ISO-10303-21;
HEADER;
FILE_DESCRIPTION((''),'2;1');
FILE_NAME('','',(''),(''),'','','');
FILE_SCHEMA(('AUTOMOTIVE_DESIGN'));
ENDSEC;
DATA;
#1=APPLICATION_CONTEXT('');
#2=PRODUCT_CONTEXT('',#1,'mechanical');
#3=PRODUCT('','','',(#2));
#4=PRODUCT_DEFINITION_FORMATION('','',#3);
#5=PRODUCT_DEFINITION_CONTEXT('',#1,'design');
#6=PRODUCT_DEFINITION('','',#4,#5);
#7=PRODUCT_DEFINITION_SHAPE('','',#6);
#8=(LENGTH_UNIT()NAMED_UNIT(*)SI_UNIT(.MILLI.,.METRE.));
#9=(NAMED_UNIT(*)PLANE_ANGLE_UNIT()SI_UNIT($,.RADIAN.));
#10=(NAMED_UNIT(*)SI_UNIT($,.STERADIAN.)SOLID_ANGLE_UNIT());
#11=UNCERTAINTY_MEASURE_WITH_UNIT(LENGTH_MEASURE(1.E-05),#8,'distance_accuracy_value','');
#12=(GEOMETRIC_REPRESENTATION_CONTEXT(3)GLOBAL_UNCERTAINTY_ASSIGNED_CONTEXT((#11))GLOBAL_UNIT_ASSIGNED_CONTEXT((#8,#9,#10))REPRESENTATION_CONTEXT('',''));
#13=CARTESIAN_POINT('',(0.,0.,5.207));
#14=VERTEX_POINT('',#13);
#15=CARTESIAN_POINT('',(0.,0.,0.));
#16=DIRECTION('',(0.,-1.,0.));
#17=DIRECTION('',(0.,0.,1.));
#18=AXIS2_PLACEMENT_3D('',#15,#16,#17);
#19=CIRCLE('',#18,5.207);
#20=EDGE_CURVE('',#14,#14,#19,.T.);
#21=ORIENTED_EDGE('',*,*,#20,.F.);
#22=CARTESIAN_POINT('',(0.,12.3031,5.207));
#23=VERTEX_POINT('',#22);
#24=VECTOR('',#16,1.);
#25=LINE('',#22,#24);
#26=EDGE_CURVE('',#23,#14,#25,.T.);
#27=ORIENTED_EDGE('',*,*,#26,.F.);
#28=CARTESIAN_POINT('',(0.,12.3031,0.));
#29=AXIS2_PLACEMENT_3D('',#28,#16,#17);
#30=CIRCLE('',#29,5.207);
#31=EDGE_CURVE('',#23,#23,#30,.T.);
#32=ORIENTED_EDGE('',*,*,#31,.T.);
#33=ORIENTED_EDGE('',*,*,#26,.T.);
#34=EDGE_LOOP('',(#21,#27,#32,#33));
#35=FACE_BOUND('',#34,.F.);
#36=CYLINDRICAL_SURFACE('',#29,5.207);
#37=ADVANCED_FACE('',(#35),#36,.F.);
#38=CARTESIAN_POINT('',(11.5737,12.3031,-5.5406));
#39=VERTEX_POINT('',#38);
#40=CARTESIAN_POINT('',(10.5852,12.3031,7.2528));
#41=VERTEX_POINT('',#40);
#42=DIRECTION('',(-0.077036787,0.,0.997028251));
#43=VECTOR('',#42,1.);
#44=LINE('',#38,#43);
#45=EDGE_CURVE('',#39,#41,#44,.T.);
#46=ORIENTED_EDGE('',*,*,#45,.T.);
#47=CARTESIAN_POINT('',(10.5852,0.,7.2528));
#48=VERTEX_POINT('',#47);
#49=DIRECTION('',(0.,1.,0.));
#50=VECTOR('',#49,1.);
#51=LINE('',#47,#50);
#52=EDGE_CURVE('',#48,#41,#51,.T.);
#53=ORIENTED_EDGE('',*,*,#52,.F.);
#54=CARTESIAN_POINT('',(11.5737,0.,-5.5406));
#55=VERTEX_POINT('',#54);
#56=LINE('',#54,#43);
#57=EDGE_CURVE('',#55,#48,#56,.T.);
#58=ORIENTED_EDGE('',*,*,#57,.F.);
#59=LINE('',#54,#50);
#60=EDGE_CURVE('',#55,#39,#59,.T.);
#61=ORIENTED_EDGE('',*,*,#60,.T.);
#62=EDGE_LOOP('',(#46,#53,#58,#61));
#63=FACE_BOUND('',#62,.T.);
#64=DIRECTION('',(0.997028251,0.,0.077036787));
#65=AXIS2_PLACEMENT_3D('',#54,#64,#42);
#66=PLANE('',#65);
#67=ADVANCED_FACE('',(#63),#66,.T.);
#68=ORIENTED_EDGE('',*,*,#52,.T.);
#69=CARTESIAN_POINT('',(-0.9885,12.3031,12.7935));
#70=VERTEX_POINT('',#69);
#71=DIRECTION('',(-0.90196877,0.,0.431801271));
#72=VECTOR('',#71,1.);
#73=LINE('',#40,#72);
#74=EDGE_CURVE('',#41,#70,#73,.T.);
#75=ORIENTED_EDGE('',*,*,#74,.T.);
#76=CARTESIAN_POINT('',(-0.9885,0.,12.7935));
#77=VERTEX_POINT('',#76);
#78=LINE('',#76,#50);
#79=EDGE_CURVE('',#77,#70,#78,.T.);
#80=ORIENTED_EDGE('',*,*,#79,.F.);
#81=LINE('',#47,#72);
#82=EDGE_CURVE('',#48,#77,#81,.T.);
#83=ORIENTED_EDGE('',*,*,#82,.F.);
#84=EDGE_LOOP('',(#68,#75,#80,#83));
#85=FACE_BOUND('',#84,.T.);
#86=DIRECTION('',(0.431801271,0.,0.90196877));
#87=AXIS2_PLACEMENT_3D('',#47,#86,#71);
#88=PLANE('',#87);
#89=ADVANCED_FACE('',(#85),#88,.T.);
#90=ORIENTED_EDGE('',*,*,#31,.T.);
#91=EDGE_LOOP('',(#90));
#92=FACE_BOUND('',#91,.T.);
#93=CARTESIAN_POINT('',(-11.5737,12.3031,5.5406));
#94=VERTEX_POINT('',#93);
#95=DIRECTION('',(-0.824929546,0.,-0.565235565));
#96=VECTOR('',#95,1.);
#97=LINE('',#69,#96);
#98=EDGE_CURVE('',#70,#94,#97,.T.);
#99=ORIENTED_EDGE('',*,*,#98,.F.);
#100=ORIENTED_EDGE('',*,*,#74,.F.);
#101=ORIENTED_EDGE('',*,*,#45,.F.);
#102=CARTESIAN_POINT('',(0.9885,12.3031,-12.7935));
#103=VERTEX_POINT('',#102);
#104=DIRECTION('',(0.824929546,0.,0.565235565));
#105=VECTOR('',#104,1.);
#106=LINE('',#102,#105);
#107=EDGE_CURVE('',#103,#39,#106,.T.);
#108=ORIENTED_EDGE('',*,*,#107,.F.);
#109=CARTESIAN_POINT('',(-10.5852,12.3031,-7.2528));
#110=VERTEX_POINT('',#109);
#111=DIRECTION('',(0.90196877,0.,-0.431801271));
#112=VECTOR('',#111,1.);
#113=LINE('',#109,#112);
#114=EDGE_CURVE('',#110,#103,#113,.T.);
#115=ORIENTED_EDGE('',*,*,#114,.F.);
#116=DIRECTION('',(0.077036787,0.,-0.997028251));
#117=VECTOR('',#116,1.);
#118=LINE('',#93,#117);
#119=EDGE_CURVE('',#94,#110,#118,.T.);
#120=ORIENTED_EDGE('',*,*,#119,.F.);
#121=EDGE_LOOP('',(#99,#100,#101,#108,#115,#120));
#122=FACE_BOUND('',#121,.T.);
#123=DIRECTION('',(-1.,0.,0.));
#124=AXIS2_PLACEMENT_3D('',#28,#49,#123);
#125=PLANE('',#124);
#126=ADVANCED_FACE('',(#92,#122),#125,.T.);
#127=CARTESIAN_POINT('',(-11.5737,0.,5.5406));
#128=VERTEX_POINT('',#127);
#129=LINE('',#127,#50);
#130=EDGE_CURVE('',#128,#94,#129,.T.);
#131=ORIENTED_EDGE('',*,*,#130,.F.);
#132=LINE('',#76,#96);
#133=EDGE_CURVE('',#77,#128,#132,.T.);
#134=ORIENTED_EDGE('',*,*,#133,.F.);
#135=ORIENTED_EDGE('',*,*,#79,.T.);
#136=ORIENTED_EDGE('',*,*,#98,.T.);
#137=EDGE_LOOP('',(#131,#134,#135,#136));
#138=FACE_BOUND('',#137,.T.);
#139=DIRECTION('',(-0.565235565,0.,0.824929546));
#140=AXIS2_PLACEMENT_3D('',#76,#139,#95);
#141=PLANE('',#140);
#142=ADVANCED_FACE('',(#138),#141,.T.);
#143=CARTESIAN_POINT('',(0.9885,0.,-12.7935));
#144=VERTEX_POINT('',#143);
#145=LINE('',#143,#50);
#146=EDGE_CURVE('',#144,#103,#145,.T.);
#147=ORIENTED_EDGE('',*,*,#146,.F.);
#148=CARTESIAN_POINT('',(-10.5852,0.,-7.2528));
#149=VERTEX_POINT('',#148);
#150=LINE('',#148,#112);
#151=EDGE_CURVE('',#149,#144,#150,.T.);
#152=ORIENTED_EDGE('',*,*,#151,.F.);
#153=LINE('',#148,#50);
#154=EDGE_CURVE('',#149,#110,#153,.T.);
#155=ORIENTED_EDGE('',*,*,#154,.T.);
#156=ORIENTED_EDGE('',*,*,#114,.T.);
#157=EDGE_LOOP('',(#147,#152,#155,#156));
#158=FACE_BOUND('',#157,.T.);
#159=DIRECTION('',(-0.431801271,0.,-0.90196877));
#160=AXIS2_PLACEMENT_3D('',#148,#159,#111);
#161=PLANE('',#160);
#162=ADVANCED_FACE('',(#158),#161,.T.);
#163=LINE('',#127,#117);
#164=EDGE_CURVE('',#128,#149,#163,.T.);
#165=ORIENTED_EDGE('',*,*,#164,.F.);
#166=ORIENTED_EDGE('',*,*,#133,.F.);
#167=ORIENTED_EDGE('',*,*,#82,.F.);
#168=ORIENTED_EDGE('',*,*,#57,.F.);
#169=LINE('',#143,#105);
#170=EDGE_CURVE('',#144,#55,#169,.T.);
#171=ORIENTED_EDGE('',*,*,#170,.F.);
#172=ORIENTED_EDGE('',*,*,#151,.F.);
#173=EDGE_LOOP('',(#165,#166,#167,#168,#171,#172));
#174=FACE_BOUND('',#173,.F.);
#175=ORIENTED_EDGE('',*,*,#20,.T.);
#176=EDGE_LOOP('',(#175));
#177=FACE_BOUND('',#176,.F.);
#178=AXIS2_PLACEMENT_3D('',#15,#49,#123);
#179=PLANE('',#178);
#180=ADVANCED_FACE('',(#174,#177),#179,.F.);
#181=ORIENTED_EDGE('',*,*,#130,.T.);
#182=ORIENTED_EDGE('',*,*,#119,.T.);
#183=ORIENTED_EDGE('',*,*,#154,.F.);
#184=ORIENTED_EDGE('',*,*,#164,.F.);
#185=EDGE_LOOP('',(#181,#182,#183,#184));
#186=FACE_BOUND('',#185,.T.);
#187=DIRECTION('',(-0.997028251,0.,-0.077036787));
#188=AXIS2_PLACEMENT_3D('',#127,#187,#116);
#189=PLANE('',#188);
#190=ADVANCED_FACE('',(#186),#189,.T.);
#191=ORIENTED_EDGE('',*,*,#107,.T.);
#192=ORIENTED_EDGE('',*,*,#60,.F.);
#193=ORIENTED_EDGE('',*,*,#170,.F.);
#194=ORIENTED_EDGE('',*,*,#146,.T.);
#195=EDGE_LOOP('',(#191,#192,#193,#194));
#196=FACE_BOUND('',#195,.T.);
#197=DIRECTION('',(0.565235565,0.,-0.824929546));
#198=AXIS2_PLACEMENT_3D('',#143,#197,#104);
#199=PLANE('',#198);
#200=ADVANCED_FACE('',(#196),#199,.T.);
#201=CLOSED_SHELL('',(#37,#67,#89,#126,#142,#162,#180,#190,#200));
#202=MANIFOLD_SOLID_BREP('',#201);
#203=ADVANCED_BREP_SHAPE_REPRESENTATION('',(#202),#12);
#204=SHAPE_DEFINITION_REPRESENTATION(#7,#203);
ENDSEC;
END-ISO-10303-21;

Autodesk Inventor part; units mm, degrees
ref_plane "YZ Plane" through (0, 0, 0) normal (1, 0, 0) x (0, 1, 0)
ref_plane "XZ Plane" through (0, 0, 0) normal (0, 1, 0) x (-1, 0, 0)
ref_plane "XY Plane" through (0, 0, 0) normal (0, 0, 1) x (1, 0, 0)
sketch "Sketch1" plane through (0, 0, 0) normal (0, 1, 0) x (-1, 0, 0)
  line L0 (10.5852, -7.2528) -> (-0.9885, -12.7935)
  line L1 (-0.9885, -12.7935) -> (-11.5737, -5.5406)
  line L2 (-11.5737, -5.5406) -> (-10.5852, 7.2528)
  line L3 (-10.5852, 7.2528) -> (0.9885, 12.7935)
  line L4 (0.9885, 12.7935) -> (11.5737, 5.5406)
  line L5 (11.5737, 5.5406) -> (10.5852, -7.2528)
  point P0 (0, 0)
  point P1 (0, 0)
  dimension "d0" = 22.225
extrude "Extrusion1" add sketch "Sketch1" along normal blind 12.3031
sketch "Sketch2" plane through (0, 12.3031, 0) normal (0, 1, 0) x (1, 0, 0)
  line L0 (-10.5852, 7.2528) -> (-11.5737, -5.5406) construction
  line L1 (11.5737, 5.5406) -> (0.9885, 12.7935) construction
  line L2 (-11.5737, -5.5406) -> (11.5737, 5.5406) construction
  line L3 (10.5852, -7.2528) -> (11.5737, 5.5406) construction
  line L4 (11.5737, 5.5406) -> (10.5852, -7.2528) construction
  line L5 (0.9885, 12.7935) -> (-10.5852, 7.2528) construction
  line L6 (10.5852, -7.2528) -> (-10.5852, 7.2528) construction
  point P0 (0, 0)
hole "Hole1" at (0, 12.3031, 0) direction (0, -1, 0) diameter 10.414 end through all thread size "1/2-12 UNS" class "2B" standard "ANSI Unified Screw Threads"
properties part number "Threaded Rod Nut"
